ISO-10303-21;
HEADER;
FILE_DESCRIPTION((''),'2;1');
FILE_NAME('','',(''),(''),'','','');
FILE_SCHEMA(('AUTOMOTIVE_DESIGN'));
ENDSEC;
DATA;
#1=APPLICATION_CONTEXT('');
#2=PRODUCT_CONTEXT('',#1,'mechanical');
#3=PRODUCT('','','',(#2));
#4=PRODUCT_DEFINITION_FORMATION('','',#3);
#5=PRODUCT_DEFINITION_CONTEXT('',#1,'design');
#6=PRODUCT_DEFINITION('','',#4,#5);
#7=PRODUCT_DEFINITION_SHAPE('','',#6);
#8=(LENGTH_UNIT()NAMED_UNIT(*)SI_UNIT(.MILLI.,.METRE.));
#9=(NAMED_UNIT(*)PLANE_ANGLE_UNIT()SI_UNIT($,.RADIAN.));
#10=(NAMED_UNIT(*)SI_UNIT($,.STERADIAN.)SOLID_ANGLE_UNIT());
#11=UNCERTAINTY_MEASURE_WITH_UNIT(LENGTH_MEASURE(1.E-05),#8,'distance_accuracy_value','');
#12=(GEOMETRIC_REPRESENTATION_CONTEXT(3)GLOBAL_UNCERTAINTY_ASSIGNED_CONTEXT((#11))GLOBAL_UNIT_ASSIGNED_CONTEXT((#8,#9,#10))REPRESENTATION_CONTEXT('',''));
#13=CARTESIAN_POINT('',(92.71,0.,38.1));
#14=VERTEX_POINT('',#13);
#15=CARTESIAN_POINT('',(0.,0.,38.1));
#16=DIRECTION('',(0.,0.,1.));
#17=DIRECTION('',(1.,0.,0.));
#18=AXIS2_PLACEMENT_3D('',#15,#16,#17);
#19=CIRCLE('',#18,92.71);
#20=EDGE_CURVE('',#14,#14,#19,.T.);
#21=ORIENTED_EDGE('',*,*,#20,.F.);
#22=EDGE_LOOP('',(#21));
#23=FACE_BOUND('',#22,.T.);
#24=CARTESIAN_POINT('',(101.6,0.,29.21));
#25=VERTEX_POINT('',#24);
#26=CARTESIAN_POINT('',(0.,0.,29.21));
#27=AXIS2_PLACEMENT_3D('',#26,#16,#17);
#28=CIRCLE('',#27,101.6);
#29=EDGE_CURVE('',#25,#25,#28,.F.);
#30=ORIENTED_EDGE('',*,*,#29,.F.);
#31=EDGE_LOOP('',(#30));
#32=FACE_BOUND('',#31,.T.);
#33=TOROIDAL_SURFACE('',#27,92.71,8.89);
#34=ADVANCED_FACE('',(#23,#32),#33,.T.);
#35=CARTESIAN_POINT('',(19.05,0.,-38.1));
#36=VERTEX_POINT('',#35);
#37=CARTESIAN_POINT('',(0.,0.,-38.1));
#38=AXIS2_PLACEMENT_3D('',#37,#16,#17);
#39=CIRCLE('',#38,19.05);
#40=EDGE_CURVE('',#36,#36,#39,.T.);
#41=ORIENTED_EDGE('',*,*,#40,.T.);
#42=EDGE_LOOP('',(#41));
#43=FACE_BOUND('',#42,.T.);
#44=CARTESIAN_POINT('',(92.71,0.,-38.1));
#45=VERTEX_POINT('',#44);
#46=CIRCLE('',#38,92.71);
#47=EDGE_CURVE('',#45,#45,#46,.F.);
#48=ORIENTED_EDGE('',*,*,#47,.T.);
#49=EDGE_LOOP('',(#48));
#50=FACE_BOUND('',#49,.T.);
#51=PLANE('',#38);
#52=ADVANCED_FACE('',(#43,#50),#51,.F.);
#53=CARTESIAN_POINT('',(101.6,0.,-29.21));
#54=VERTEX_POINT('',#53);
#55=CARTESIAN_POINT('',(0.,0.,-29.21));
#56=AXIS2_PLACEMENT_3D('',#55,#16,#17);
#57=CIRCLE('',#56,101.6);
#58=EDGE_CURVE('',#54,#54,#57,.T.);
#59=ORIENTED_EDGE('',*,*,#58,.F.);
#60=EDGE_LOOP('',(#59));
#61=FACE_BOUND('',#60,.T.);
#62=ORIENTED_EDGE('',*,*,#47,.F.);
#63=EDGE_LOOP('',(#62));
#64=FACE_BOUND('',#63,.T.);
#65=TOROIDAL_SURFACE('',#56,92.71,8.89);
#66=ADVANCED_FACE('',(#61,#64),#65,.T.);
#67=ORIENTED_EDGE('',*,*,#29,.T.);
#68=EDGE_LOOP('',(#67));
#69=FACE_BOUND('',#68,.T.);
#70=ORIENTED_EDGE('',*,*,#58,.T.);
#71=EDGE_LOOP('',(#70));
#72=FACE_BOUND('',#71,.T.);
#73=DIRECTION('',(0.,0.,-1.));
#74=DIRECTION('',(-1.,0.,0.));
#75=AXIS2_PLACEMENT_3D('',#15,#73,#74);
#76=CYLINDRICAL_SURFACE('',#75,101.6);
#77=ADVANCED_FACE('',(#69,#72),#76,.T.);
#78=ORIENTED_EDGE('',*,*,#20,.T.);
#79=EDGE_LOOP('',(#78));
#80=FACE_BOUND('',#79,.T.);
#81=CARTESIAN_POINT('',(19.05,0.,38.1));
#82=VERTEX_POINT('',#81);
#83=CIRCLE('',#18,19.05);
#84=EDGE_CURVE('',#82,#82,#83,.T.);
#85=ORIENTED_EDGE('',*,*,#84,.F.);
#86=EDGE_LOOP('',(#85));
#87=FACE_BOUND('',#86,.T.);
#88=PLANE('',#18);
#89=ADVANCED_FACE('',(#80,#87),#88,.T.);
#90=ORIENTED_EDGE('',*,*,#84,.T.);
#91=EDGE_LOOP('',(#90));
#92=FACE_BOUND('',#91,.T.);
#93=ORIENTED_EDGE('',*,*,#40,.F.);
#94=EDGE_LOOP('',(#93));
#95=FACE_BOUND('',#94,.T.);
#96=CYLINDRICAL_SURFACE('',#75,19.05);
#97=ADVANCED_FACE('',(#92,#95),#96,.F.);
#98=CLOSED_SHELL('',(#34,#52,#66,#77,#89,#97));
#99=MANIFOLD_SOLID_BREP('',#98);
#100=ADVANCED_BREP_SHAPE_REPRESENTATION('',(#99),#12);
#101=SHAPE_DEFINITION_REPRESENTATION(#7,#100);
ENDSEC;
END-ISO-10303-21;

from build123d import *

# Parameters (mm, degrees)
SKETCH1_R           = 101.6
SKETCH1_R_2         = 19.05
BOSS_EXTRUDE1_DEPTH = 38.1
FILLET1_R           = 8.89


with BuildPart() as part:
    # Sketch1 → Boss-Extrude1 (new body, symmetric)
    with BuildSketch(Plane.XY):
        Circle(SKETCH1_R)
        Circle(SKETCH1_R_2, mode=Mode.SUBTRACT)
    extrude(amount=BOSS_EXTRUDE1_DEPTH, both=True)

    # Fillet1
    fillet1_edges = [part.edges().sort_by_distance(p)[0] for p in [
        (-101.6, 0, -38.1),
        (-101.6, 0, 38.1),
    ]]
    fillet(fillet1_edges, radius=FILLET1_R)


solid = part.part
